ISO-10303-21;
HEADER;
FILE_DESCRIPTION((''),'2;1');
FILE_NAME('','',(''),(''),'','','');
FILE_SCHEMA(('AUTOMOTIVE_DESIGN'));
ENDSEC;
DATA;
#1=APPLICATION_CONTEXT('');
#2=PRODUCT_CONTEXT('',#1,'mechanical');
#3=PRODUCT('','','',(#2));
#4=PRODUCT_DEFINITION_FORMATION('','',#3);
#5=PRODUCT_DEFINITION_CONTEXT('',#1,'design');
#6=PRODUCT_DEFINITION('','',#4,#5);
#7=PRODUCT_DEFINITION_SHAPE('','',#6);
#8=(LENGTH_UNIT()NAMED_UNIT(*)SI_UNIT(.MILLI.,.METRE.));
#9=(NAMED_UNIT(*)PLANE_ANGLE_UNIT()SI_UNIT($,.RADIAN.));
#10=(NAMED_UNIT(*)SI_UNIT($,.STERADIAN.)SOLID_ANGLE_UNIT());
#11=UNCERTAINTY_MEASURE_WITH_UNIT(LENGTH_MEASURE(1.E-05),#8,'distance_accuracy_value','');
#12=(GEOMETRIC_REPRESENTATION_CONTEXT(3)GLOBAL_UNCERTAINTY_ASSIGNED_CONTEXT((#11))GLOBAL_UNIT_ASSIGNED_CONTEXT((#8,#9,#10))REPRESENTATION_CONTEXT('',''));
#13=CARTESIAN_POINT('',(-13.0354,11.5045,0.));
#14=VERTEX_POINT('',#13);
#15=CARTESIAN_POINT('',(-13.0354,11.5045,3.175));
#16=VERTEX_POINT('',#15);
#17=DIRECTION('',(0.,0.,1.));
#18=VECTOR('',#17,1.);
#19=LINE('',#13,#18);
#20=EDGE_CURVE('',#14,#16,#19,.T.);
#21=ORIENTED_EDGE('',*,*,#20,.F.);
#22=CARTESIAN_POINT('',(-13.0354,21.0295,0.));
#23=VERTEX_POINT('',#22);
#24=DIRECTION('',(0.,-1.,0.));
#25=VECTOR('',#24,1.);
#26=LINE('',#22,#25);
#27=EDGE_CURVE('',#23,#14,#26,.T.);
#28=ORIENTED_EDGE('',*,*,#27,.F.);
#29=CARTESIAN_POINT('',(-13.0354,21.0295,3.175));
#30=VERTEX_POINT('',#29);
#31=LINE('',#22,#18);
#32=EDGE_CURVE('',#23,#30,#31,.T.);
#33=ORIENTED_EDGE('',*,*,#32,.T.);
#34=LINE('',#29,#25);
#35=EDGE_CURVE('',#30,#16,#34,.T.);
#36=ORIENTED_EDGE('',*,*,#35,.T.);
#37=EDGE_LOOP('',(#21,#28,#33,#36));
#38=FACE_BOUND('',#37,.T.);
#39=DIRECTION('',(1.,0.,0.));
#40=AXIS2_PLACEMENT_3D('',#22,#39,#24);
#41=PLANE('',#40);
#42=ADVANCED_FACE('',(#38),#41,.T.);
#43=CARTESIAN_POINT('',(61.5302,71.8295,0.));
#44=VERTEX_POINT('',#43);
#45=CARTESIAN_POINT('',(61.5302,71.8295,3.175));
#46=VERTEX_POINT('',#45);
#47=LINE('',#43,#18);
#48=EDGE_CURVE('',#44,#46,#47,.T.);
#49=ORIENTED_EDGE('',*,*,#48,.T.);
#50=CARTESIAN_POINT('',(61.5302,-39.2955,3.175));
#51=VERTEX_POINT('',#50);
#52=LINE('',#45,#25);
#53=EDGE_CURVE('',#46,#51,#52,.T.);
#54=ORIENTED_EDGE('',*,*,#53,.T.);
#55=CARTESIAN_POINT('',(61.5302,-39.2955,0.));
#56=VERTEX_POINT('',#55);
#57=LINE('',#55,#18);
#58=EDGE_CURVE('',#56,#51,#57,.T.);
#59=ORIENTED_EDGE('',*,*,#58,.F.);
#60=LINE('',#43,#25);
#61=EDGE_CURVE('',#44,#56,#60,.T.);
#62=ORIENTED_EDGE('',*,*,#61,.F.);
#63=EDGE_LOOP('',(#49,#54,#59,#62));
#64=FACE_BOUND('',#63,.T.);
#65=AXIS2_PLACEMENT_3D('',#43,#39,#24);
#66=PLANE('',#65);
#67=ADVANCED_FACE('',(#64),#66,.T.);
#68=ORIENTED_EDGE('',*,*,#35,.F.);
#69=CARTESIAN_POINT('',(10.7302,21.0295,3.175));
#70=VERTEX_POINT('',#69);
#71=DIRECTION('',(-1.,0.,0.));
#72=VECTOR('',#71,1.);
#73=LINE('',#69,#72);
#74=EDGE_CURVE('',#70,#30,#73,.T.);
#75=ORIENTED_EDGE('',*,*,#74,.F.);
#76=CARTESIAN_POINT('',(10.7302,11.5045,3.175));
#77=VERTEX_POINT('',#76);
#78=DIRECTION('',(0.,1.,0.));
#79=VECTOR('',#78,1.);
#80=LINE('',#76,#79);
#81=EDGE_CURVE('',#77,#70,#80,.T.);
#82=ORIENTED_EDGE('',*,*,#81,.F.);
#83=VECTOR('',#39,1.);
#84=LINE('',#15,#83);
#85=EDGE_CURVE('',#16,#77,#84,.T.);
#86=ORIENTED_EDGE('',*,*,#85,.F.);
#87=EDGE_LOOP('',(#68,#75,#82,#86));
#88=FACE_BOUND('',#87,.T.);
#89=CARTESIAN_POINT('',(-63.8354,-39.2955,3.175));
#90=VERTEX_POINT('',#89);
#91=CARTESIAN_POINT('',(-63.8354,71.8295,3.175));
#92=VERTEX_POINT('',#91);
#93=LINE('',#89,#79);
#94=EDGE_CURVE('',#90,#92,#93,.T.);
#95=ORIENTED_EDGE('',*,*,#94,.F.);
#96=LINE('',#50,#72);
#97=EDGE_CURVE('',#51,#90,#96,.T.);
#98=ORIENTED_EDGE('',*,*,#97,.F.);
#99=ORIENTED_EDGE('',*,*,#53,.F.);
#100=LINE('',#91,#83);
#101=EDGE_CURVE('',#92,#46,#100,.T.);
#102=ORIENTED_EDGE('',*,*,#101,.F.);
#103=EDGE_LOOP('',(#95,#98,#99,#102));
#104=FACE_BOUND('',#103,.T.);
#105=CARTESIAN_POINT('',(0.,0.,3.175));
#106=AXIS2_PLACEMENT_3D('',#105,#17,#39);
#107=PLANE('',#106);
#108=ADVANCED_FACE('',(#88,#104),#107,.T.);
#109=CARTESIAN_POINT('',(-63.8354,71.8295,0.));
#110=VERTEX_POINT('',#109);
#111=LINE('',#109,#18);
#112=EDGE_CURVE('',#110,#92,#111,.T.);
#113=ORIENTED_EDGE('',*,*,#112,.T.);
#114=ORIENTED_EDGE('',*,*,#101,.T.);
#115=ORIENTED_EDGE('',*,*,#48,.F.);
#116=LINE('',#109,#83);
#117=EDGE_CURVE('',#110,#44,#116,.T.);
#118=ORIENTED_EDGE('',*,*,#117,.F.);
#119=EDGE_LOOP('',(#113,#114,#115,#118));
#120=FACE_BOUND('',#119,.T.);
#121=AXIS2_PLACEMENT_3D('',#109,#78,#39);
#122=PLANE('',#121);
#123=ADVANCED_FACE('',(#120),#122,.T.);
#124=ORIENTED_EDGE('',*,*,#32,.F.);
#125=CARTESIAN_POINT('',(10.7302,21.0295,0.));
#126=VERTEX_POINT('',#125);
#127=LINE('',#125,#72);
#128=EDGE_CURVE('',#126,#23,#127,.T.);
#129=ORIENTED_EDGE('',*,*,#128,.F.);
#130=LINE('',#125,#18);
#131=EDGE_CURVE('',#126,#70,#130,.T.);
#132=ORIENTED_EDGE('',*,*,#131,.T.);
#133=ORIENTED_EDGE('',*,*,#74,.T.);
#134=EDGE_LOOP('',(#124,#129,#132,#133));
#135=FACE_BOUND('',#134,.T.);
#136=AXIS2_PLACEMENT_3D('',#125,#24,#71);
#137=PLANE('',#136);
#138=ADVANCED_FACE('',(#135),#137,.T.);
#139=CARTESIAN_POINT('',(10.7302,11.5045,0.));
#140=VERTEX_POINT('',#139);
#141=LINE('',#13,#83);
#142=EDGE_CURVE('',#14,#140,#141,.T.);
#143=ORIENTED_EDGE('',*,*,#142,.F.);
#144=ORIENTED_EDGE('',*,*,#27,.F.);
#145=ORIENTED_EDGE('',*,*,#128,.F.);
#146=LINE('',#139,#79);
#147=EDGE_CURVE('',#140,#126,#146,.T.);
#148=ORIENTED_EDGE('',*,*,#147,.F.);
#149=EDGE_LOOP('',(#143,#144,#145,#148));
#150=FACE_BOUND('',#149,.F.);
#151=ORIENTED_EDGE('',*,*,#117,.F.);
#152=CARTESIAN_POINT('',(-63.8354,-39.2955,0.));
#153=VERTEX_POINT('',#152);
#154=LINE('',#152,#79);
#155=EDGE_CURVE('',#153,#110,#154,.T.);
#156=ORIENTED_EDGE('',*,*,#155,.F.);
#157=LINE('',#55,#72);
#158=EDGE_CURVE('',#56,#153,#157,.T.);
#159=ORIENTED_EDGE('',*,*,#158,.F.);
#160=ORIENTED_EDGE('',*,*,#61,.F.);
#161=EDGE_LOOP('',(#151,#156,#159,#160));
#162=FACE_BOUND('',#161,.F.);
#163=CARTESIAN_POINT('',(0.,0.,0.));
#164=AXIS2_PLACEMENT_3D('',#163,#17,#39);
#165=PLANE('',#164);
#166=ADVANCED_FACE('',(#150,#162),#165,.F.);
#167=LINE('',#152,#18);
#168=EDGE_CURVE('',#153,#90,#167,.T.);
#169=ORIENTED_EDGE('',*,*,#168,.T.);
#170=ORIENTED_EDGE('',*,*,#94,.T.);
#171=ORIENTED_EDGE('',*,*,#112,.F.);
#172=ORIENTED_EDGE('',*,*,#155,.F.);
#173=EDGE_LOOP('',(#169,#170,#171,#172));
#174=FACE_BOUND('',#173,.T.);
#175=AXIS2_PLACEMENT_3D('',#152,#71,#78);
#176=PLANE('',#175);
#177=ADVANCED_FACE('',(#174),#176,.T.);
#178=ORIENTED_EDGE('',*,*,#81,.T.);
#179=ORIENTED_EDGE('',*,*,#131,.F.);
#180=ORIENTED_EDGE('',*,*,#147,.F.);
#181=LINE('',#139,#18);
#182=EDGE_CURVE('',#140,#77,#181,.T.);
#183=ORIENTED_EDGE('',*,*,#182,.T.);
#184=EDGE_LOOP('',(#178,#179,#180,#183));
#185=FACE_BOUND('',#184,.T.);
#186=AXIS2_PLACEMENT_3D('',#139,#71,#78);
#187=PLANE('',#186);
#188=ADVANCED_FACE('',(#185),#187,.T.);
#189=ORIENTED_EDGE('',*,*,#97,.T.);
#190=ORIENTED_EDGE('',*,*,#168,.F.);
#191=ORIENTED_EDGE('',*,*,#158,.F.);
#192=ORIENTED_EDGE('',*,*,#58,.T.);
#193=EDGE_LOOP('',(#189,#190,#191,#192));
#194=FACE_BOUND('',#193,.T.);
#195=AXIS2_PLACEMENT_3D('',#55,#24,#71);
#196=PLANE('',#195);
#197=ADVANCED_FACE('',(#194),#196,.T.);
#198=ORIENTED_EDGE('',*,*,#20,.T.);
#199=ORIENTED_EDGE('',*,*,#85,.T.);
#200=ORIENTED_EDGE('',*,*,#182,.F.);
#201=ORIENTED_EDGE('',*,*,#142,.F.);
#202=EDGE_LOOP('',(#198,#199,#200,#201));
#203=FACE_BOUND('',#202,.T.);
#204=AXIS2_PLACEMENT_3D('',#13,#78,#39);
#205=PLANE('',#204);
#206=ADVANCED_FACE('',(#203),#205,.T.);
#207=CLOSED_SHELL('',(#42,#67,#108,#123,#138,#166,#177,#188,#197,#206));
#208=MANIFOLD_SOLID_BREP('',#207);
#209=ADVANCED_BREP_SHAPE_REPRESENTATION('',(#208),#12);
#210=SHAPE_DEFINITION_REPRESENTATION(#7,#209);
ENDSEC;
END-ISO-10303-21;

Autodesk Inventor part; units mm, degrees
ref_plane "YZ Plane" through (0, 0, 0) normal (1, 0, 0) x (0, 1, 0)
ref_plane "XZ Plane" through (0, 0, 0) normal (0, 1, 0) x (-1, 0, 0)
ref_plane "XY Plane" through (0, 0, 0) normal (0, 0, 1) x (1, 0, 0)
sketch "Sketch1" plane through (0, 0, 0) normal (0, 0, 1) x (1, 0, 0)
  line L0 (-14.8528, 1.9795) -> (12.8586, 1.9795) construction
  line L1 (12.8586, 1.9795) -> (12.8586, -13.7685) construction
  line L2 (12.8586, -13.7685) -> (-14.8528, -13.7685) construction
  line L3 (-14.8528, -13.7685) -> (-14.8528, 1.9795) construction
  line L4 (5.9975, 1.9795) -> (8.6518, 1.9795) construction
  line L5 (8.6518, 1.9795) -> (8.6518, 4.3671) construction
  line L6 (8.6518, 4.3671) -> (5.9975, 4.3671) construction
  line L7 (5.9975, 4.3671) -> (5.9975, 1.9795) construction
  line L8 (-32.4421, 11.5045) -> (30.2817, 11.5045) construction
  line L9 (-32.4421, 8.3295) -> (29.9988, 8.3295) construction
  line L10 (-13.9321, 13.8921) -> (17.834, 13.8921) construction
  line L11 (-1.8734, -10.8674) -> (-1.8734, -21.0274) construction
  line L12 (-2.2544, -23.9285) -> (-2.2544, -13.7685) construction
  line L13 (-14.8528, -9.4505) -> (-21.958, -9.4505) construction
  line L14 (-21.958, -9.8315) -> (-14.0038, -9.8315) construction
  line L15 (-14.8528, 1.9795) -> (12.6787, 5.1322) construction
  arc A0 (9.1943, 9.241) -> (-14.8528, 1.9795) centre (-1.1526, 0.0577) ccw construction
  circle A1 centre (-10.8004, 5.3198) radius 0.889 construction
  line L16 (-13.0354, 11.5045) -> (-13.0354, 8.3295) construction
  line L17 (10.7302, 11.5045) -> (10.7302, 8.3295) construction
  line L18 (-12.2416, 8.3295) -> (-12.2416, 11.5045) construction
  line L19 (9.9365, 8.3295) -> (9.9365, 11.5045) construction
  line L20 (13.1115, 8.3295) -> (11.9301, 8.1942) construction
  line L21 (11.9301, 8.1942) -> (12.3229, 8.2392) construction
  line L22 (13.377, 6.0111) -> (13.2018, 7.5409) construction
  line L23 (-13.2979, 6.6819) -> (-11.5809, 5.7454) construction
  line L24 (-10.4753, 2.4807) -> (-10.6993, 4.4365) construction
  arc A2 (9.1943, 9.241) -> (11.9301, 8.1942) centre (11.5689, 11.3486) ccw construction
  arc A3 (13.2018, 7.5409) -> (12.3229, 8.2392) centre (12.4132, 7.4506) ccw construction
  arc A4 (12.6787, 5.1322) -> (13.377, 6.0111) centre (12.5884, 5.9208) ccw construction
  circle A5 centre (-11.9953, -0.878) radius 1.5875 construction
  line L25 (-13.5828, 0.7095) -> (-5.6621, 0.7095) construction
  line L26 (-13.5828, -2.3385) -> (-13.5828, 0.7095) construction
  circle A6 centre (10.0011, -10.911) radius 1.5875 construction
  line L27 (11.5886, -9.3235) -> (11.5886, -12.4985) construction
  line L28 (11.5886, -12.4985) -> (4.7585, -12.4985) construction
  line L29 (-13.0354, 11.5045) -> (10.7302, 11.5045)
  line L30 (10.7302, 11.5045) -> (10.7302, 21.0295)
  line L31 (10.7302, 21.0295) -> (-13.0354, 21.0295)
  line L32 (-13.0354, 21.0295) -> (-13.0354, 11.5045)
  line L33 (-63.8354, 71.8295) -> (61.5302, 71.8295)
  line L34 (61.5302, 71.8295) -> (61.5302, -39.2955)
  line L35 (61.5302, -39.2955) -> (-63.8354, -39.2955)
  line L36 (-63.8354, -39.2955) -> (-63.8354, 71.8295)
  point P0 (0, 0)
  dimension "d0" = 27.7114
  dimension "d1" = 15.748
  dimension "d2" = 2.6543
  dimension "buttonHeight" = 2.3876
  dimension "d4" = 3.175
  dimension "d5" = 2.3876
  dimension "buttonInset" = 4.2068
  dimension "d10" = 14.732
  dimension "d11" = 0.381
  dimension "d12" = 10.16
  dimension "d14" = 11.43
  dimension "d15" = 0.381
  dimension "d16" = 6.35
  dimension "nail" = 1.778
  dimension "clearance" = 0.7937
  dimension "d32" = 0.7937
  dimension "cutOutLength" = 23.7656
  dimension "d34" = 2.3813
  dimension "d35" = 1.9558
  dimension "d36" = 1.9558
  dimension "d37" = 3.175
  dimension "d38" = 0.7937
  dimension "holeDistanceFromSurface" = 3.0097
  dimension "holeDistanceFromEnd" = 4.0524
  dimension "d52" = 3.175
  dimension "d53" = 1.27
  dimension "d54" = 1.27
  dimension "d55" = 3.175
  dimension "d56" = 1.27
  dimension "d57" = 1.27
  dimension "d60" = 9.525
  dimension "d63" = 50.8
  dimension "d64" = 50.8
  dimension "d65" = 50.8
  dimension "d66" = 50.8
extrude "Extrusion7" add sketch "Sketch1" along normal blind 3.175
equation "\"d5\" = buttonHeight"
equation "\"d32\" = clearance"
properties part number "Surface Switch Cutout"
